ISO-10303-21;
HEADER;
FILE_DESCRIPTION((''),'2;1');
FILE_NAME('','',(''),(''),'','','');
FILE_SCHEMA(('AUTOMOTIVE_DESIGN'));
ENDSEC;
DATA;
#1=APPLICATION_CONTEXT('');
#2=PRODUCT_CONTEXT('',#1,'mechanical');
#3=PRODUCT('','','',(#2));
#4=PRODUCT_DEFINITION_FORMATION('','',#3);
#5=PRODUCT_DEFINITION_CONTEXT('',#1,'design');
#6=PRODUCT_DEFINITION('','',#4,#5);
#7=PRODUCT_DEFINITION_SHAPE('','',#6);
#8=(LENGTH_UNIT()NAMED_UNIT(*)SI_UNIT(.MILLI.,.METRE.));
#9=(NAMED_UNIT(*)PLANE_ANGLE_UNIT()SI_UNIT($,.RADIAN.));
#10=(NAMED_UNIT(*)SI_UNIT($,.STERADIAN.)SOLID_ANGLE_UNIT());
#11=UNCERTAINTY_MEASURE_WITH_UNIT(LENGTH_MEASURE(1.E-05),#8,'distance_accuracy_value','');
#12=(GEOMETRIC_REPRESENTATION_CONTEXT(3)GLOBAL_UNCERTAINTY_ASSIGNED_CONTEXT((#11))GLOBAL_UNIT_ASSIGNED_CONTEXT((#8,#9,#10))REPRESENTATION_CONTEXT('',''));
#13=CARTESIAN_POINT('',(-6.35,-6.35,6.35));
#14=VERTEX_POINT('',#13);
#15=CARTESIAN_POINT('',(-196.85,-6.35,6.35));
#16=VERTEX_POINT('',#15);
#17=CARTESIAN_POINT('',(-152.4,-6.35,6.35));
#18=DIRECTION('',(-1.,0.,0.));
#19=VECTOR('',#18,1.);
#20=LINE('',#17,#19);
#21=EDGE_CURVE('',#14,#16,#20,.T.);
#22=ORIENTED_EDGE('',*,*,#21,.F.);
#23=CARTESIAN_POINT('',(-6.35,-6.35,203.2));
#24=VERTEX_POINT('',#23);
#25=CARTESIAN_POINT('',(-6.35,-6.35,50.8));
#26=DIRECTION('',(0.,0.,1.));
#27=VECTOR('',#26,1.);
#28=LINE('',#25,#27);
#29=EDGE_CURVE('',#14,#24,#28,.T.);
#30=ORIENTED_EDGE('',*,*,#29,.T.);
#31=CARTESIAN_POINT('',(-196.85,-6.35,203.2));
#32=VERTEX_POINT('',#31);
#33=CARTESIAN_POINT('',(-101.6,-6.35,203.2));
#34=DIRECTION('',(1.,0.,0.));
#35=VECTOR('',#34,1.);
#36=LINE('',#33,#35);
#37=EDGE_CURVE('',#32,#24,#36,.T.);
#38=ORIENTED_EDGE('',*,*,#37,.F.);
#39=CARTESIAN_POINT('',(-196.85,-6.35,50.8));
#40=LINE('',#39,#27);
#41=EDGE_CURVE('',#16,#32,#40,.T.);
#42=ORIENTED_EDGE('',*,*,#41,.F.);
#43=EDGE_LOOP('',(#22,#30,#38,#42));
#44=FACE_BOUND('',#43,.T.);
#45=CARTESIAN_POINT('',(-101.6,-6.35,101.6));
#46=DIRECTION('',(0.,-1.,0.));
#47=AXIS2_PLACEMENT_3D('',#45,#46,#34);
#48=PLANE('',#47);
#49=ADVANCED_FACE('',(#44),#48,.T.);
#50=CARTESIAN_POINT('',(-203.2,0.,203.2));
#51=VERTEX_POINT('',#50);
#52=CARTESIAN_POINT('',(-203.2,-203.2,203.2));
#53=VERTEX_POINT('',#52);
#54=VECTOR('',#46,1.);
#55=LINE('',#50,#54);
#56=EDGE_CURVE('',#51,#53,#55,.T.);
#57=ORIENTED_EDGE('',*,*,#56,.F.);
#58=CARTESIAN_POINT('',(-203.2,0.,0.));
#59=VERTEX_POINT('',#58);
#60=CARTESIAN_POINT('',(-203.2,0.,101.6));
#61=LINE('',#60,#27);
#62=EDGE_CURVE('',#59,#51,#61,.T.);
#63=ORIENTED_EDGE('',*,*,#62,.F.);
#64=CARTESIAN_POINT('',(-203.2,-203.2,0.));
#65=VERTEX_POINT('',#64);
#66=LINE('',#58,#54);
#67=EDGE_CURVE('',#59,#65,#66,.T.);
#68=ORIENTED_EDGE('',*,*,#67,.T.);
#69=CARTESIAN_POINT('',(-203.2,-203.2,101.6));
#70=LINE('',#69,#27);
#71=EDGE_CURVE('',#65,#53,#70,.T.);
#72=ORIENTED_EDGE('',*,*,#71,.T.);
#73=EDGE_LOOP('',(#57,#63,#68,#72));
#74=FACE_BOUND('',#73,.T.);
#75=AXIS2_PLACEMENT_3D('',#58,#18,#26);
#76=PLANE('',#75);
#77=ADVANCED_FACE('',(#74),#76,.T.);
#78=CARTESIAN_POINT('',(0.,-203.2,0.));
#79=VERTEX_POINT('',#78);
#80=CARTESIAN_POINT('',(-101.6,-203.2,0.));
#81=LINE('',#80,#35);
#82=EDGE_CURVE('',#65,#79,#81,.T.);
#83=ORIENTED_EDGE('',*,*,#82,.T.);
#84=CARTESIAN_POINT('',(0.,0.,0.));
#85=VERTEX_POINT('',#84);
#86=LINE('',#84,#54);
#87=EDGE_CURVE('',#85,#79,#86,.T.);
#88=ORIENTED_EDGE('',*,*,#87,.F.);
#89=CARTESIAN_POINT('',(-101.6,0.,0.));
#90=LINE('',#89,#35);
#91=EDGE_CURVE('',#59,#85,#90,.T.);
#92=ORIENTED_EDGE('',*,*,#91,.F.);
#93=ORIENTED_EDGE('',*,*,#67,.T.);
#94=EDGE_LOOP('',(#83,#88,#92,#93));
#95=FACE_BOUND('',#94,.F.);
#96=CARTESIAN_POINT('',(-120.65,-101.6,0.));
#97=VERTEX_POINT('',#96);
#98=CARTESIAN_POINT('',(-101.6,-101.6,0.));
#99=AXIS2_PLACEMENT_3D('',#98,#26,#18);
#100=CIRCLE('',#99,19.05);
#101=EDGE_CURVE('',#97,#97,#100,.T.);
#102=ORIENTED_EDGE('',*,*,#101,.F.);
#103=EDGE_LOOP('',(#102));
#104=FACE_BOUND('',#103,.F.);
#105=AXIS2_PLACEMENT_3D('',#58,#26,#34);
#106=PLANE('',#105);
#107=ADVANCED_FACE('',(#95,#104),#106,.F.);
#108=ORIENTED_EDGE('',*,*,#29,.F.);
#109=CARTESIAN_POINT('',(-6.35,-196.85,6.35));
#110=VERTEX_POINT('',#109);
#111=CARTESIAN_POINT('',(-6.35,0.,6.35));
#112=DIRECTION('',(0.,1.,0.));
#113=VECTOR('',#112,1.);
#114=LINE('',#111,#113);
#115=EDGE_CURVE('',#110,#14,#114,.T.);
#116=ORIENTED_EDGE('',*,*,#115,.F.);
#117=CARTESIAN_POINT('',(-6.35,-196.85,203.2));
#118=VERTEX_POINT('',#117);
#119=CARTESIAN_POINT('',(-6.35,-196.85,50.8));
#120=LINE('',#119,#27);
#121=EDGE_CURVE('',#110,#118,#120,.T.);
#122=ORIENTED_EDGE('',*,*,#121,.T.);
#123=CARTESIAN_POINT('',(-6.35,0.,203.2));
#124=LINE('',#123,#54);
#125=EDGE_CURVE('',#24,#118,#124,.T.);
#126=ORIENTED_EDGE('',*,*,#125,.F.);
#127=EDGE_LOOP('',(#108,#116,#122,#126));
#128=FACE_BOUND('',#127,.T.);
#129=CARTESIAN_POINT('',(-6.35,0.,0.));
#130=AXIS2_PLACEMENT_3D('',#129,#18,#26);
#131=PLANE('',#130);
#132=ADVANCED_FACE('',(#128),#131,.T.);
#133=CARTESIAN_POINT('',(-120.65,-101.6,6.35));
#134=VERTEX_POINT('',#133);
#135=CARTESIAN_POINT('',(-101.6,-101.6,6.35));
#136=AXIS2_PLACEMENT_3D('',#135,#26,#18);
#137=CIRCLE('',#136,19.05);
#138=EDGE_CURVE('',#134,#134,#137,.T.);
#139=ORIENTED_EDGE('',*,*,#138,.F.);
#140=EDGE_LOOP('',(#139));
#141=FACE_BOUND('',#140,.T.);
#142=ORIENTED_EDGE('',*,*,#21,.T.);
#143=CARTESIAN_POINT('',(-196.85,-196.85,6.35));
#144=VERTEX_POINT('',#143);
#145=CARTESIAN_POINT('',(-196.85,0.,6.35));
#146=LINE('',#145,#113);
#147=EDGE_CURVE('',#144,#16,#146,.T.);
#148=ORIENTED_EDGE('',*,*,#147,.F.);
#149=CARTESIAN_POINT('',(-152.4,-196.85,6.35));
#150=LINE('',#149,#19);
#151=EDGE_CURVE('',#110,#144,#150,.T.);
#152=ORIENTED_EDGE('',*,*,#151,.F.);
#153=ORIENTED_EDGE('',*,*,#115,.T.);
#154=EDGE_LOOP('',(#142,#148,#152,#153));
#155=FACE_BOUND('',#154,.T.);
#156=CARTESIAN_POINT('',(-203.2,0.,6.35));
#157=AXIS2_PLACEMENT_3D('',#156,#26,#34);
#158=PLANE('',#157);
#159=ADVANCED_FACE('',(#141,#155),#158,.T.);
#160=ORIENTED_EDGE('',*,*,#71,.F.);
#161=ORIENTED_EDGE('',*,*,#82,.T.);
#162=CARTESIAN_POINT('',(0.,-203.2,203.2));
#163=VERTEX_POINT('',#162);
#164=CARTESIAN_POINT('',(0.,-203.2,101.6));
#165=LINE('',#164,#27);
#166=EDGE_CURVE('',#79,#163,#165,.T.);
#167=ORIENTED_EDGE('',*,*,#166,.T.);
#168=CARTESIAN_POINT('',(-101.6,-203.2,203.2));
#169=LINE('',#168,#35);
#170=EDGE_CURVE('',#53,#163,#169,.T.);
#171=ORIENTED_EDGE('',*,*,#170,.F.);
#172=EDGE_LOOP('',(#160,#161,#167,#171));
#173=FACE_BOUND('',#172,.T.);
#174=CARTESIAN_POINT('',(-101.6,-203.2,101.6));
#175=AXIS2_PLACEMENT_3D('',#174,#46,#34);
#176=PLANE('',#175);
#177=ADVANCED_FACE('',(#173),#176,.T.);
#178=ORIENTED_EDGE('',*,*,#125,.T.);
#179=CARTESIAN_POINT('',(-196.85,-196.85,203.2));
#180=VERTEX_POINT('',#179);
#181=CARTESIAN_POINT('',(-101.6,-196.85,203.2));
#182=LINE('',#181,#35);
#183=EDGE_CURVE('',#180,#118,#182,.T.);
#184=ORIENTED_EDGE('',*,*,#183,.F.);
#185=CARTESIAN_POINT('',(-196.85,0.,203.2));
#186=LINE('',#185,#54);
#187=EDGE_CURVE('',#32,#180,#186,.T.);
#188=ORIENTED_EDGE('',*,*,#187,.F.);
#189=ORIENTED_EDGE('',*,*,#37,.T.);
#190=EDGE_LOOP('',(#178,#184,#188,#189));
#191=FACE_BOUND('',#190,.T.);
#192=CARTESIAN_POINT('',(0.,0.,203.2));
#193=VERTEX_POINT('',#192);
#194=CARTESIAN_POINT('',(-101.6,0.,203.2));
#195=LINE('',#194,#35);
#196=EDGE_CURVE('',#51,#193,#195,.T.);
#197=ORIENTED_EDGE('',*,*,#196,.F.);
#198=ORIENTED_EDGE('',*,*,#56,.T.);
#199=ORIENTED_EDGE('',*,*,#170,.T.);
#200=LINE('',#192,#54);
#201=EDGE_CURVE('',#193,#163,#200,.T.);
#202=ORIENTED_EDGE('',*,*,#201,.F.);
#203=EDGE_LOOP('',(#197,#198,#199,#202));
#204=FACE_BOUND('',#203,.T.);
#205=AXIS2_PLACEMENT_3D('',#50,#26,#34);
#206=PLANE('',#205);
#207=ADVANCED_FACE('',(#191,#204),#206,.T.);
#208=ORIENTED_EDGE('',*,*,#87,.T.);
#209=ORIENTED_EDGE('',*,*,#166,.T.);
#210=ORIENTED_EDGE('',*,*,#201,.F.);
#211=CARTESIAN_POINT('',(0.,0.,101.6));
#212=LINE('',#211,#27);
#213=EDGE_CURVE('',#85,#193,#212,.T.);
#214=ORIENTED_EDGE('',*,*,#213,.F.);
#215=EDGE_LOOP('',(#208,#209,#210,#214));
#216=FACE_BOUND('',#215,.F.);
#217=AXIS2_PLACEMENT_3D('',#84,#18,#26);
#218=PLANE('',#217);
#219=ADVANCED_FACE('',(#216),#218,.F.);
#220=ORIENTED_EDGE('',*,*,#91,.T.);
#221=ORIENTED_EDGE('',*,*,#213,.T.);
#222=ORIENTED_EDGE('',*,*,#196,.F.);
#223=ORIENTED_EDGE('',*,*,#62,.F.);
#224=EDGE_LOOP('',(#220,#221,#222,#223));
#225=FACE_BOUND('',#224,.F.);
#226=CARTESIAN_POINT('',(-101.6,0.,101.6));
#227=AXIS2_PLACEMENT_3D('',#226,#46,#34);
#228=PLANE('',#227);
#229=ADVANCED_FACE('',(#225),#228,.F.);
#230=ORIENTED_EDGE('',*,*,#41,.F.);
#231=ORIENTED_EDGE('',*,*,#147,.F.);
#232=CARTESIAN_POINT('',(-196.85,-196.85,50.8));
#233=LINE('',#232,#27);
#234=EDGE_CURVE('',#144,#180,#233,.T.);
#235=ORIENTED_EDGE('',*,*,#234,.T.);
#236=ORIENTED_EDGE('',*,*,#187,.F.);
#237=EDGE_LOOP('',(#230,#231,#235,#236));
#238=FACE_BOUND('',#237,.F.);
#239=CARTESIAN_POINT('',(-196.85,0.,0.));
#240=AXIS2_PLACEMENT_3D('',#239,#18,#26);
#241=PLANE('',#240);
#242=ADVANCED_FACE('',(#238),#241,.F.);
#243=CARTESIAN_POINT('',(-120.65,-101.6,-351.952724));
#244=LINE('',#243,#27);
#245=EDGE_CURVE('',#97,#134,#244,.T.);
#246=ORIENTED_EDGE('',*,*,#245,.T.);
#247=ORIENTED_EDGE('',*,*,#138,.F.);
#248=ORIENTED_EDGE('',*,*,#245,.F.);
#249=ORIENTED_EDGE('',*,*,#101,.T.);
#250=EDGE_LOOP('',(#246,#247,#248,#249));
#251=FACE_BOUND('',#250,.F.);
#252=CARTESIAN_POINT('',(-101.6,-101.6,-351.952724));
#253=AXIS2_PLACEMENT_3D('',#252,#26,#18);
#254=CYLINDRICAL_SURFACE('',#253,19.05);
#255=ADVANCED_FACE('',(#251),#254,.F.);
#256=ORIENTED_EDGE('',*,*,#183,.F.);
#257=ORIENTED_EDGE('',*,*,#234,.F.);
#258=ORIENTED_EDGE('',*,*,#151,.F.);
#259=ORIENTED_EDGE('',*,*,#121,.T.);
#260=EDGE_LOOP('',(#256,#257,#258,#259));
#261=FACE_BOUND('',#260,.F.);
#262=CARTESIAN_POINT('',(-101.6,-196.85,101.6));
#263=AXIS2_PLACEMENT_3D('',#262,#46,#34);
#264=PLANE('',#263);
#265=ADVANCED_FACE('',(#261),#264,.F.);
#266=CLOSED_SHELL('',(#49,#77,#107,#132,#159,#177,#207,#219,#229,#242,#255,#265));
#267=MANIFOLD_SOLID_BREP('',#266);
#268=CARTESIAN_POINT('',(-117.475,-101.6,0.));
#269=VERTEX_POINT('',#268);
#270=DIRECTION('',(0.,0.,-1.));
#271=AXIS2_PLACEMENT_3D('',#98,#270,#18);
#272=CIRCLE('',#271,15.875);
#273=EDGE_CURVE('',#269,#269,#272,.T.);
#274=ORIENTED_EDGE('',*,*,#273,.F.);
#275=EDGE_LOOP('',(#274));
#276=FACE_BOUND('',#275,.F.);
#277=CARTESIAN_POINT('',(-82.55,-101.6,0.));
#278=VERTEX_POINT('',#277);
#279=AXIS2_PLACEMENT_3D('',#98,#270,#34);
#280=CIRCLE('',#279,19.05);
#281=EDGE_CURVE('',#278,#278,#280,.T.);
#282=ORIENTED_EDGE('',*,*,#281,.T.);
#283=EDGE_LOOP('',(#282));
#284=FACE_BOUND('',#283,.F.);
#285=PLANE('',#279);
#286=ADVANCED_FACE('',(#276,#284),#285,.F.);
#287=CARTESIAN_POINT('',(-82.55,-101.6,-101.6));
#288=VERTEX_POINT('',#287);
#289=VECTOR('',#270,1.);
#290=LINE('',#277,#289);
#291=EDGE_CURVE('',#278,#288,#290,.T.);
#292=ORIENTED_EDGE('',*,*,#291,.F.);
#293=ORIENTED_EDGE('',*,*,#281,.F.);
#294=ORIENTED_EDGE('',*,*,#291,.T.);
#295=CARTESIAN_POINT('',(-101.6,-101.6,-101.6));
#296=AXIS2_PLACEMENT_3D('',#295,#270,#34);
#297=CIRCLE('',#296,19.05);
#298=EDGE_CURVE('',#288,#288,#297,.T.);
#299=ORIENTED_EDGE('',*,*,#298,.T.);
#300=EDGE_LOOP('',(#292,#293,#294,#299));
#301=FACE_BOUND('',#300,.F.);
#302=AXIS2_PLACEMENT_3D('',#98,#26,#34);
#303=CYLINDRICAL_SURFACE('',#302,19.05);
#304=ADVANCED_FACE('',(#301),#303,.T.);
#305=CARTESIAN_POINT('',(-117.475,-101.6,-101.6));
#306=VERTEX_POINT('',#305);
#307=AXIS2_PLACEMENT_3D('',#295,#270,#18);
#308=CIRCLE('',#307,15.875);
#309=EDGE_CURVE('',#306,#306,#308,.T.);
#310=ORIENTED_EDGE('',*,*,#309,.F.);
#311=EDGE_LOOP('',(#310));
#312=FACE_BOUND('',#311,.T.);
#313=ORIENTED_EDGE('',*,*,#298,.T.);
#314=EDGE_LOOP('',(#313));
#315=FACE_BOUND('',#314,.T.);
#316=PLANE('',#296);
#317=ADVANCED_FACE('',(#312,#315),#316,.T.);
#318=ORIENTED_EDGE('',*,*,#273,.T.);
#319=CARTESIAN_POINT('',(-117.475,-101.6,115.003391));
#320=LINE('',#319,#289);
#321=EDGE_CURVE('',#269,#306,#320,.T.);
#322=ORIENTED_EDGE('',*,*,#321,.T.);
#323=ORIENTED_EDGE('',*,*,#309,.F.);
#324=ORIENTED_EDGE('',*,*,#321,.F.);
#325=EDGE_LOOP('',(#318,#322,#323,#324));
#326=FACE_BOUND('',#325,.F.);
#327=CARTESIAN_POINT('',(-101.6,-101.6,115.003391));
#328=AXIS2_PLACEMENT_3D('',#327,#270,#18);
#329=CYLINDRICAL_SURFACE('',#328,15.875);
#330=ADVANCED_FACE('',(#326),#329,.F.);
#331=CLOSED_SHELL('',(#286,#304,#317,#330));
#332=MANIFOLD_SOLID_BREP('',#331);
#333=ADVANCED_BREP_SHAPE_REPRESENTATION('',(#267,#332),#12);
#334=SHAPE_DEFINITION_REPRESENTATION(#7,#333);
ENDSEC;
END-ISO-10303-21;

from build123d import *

# Parameters (mm, degrees)
F0_W     = 203.2
F0_H     = 203.2
F1_DEPTH = 203.2
F2_T     = -6.35
F4_D     = 38.1
F3_R     = 19.05
F5_DEPTH = 101.6
F6_D     = 31.75


with BuildPart() as f1:
    # F0 (on Front) → F1 (new body)
    with BuildSketch(Plane.XZ):
        with Locations((-101.6, 101.6)):
            Rectangle(F0_W, F0_H)
    extrude(amount=F1_DEPTH)

    # F2
    f2_openings = [f1.faces().sort_by_distance(p)[0] for p in [
        (-101.6, -101.6, 203.2),
    ]]
    offset(amount=F2_T, openings=f2_openings)

    # F4 (through all)
    with Locations(Plane(origin=(0, 0, 0), x_dir=(1, 0, 0), z_dir=(0, 0, -1))):
        with Locations((-101.6, 101.6)):
            Hole(F4_D / 2)


with BuildPart() as f5:
    # F3 (on face) → F5 (new body)
    with BuildSketch(Plane(origin=(0, 0, 0), x_dir=(1, 0, 0), z_dir=(0, 0, -1))):
        with Locations((-101.6, 101.6)):
            Circle(F3_R)
    extrude(amount=F5_DEPTH)

    # F6 (through all)
    with Locations(Plane.XY):
        with Locations((-101.6, -101.6)):
            Hole(F6_D / 2)


solid = Compound([f1.part, f5.part])
